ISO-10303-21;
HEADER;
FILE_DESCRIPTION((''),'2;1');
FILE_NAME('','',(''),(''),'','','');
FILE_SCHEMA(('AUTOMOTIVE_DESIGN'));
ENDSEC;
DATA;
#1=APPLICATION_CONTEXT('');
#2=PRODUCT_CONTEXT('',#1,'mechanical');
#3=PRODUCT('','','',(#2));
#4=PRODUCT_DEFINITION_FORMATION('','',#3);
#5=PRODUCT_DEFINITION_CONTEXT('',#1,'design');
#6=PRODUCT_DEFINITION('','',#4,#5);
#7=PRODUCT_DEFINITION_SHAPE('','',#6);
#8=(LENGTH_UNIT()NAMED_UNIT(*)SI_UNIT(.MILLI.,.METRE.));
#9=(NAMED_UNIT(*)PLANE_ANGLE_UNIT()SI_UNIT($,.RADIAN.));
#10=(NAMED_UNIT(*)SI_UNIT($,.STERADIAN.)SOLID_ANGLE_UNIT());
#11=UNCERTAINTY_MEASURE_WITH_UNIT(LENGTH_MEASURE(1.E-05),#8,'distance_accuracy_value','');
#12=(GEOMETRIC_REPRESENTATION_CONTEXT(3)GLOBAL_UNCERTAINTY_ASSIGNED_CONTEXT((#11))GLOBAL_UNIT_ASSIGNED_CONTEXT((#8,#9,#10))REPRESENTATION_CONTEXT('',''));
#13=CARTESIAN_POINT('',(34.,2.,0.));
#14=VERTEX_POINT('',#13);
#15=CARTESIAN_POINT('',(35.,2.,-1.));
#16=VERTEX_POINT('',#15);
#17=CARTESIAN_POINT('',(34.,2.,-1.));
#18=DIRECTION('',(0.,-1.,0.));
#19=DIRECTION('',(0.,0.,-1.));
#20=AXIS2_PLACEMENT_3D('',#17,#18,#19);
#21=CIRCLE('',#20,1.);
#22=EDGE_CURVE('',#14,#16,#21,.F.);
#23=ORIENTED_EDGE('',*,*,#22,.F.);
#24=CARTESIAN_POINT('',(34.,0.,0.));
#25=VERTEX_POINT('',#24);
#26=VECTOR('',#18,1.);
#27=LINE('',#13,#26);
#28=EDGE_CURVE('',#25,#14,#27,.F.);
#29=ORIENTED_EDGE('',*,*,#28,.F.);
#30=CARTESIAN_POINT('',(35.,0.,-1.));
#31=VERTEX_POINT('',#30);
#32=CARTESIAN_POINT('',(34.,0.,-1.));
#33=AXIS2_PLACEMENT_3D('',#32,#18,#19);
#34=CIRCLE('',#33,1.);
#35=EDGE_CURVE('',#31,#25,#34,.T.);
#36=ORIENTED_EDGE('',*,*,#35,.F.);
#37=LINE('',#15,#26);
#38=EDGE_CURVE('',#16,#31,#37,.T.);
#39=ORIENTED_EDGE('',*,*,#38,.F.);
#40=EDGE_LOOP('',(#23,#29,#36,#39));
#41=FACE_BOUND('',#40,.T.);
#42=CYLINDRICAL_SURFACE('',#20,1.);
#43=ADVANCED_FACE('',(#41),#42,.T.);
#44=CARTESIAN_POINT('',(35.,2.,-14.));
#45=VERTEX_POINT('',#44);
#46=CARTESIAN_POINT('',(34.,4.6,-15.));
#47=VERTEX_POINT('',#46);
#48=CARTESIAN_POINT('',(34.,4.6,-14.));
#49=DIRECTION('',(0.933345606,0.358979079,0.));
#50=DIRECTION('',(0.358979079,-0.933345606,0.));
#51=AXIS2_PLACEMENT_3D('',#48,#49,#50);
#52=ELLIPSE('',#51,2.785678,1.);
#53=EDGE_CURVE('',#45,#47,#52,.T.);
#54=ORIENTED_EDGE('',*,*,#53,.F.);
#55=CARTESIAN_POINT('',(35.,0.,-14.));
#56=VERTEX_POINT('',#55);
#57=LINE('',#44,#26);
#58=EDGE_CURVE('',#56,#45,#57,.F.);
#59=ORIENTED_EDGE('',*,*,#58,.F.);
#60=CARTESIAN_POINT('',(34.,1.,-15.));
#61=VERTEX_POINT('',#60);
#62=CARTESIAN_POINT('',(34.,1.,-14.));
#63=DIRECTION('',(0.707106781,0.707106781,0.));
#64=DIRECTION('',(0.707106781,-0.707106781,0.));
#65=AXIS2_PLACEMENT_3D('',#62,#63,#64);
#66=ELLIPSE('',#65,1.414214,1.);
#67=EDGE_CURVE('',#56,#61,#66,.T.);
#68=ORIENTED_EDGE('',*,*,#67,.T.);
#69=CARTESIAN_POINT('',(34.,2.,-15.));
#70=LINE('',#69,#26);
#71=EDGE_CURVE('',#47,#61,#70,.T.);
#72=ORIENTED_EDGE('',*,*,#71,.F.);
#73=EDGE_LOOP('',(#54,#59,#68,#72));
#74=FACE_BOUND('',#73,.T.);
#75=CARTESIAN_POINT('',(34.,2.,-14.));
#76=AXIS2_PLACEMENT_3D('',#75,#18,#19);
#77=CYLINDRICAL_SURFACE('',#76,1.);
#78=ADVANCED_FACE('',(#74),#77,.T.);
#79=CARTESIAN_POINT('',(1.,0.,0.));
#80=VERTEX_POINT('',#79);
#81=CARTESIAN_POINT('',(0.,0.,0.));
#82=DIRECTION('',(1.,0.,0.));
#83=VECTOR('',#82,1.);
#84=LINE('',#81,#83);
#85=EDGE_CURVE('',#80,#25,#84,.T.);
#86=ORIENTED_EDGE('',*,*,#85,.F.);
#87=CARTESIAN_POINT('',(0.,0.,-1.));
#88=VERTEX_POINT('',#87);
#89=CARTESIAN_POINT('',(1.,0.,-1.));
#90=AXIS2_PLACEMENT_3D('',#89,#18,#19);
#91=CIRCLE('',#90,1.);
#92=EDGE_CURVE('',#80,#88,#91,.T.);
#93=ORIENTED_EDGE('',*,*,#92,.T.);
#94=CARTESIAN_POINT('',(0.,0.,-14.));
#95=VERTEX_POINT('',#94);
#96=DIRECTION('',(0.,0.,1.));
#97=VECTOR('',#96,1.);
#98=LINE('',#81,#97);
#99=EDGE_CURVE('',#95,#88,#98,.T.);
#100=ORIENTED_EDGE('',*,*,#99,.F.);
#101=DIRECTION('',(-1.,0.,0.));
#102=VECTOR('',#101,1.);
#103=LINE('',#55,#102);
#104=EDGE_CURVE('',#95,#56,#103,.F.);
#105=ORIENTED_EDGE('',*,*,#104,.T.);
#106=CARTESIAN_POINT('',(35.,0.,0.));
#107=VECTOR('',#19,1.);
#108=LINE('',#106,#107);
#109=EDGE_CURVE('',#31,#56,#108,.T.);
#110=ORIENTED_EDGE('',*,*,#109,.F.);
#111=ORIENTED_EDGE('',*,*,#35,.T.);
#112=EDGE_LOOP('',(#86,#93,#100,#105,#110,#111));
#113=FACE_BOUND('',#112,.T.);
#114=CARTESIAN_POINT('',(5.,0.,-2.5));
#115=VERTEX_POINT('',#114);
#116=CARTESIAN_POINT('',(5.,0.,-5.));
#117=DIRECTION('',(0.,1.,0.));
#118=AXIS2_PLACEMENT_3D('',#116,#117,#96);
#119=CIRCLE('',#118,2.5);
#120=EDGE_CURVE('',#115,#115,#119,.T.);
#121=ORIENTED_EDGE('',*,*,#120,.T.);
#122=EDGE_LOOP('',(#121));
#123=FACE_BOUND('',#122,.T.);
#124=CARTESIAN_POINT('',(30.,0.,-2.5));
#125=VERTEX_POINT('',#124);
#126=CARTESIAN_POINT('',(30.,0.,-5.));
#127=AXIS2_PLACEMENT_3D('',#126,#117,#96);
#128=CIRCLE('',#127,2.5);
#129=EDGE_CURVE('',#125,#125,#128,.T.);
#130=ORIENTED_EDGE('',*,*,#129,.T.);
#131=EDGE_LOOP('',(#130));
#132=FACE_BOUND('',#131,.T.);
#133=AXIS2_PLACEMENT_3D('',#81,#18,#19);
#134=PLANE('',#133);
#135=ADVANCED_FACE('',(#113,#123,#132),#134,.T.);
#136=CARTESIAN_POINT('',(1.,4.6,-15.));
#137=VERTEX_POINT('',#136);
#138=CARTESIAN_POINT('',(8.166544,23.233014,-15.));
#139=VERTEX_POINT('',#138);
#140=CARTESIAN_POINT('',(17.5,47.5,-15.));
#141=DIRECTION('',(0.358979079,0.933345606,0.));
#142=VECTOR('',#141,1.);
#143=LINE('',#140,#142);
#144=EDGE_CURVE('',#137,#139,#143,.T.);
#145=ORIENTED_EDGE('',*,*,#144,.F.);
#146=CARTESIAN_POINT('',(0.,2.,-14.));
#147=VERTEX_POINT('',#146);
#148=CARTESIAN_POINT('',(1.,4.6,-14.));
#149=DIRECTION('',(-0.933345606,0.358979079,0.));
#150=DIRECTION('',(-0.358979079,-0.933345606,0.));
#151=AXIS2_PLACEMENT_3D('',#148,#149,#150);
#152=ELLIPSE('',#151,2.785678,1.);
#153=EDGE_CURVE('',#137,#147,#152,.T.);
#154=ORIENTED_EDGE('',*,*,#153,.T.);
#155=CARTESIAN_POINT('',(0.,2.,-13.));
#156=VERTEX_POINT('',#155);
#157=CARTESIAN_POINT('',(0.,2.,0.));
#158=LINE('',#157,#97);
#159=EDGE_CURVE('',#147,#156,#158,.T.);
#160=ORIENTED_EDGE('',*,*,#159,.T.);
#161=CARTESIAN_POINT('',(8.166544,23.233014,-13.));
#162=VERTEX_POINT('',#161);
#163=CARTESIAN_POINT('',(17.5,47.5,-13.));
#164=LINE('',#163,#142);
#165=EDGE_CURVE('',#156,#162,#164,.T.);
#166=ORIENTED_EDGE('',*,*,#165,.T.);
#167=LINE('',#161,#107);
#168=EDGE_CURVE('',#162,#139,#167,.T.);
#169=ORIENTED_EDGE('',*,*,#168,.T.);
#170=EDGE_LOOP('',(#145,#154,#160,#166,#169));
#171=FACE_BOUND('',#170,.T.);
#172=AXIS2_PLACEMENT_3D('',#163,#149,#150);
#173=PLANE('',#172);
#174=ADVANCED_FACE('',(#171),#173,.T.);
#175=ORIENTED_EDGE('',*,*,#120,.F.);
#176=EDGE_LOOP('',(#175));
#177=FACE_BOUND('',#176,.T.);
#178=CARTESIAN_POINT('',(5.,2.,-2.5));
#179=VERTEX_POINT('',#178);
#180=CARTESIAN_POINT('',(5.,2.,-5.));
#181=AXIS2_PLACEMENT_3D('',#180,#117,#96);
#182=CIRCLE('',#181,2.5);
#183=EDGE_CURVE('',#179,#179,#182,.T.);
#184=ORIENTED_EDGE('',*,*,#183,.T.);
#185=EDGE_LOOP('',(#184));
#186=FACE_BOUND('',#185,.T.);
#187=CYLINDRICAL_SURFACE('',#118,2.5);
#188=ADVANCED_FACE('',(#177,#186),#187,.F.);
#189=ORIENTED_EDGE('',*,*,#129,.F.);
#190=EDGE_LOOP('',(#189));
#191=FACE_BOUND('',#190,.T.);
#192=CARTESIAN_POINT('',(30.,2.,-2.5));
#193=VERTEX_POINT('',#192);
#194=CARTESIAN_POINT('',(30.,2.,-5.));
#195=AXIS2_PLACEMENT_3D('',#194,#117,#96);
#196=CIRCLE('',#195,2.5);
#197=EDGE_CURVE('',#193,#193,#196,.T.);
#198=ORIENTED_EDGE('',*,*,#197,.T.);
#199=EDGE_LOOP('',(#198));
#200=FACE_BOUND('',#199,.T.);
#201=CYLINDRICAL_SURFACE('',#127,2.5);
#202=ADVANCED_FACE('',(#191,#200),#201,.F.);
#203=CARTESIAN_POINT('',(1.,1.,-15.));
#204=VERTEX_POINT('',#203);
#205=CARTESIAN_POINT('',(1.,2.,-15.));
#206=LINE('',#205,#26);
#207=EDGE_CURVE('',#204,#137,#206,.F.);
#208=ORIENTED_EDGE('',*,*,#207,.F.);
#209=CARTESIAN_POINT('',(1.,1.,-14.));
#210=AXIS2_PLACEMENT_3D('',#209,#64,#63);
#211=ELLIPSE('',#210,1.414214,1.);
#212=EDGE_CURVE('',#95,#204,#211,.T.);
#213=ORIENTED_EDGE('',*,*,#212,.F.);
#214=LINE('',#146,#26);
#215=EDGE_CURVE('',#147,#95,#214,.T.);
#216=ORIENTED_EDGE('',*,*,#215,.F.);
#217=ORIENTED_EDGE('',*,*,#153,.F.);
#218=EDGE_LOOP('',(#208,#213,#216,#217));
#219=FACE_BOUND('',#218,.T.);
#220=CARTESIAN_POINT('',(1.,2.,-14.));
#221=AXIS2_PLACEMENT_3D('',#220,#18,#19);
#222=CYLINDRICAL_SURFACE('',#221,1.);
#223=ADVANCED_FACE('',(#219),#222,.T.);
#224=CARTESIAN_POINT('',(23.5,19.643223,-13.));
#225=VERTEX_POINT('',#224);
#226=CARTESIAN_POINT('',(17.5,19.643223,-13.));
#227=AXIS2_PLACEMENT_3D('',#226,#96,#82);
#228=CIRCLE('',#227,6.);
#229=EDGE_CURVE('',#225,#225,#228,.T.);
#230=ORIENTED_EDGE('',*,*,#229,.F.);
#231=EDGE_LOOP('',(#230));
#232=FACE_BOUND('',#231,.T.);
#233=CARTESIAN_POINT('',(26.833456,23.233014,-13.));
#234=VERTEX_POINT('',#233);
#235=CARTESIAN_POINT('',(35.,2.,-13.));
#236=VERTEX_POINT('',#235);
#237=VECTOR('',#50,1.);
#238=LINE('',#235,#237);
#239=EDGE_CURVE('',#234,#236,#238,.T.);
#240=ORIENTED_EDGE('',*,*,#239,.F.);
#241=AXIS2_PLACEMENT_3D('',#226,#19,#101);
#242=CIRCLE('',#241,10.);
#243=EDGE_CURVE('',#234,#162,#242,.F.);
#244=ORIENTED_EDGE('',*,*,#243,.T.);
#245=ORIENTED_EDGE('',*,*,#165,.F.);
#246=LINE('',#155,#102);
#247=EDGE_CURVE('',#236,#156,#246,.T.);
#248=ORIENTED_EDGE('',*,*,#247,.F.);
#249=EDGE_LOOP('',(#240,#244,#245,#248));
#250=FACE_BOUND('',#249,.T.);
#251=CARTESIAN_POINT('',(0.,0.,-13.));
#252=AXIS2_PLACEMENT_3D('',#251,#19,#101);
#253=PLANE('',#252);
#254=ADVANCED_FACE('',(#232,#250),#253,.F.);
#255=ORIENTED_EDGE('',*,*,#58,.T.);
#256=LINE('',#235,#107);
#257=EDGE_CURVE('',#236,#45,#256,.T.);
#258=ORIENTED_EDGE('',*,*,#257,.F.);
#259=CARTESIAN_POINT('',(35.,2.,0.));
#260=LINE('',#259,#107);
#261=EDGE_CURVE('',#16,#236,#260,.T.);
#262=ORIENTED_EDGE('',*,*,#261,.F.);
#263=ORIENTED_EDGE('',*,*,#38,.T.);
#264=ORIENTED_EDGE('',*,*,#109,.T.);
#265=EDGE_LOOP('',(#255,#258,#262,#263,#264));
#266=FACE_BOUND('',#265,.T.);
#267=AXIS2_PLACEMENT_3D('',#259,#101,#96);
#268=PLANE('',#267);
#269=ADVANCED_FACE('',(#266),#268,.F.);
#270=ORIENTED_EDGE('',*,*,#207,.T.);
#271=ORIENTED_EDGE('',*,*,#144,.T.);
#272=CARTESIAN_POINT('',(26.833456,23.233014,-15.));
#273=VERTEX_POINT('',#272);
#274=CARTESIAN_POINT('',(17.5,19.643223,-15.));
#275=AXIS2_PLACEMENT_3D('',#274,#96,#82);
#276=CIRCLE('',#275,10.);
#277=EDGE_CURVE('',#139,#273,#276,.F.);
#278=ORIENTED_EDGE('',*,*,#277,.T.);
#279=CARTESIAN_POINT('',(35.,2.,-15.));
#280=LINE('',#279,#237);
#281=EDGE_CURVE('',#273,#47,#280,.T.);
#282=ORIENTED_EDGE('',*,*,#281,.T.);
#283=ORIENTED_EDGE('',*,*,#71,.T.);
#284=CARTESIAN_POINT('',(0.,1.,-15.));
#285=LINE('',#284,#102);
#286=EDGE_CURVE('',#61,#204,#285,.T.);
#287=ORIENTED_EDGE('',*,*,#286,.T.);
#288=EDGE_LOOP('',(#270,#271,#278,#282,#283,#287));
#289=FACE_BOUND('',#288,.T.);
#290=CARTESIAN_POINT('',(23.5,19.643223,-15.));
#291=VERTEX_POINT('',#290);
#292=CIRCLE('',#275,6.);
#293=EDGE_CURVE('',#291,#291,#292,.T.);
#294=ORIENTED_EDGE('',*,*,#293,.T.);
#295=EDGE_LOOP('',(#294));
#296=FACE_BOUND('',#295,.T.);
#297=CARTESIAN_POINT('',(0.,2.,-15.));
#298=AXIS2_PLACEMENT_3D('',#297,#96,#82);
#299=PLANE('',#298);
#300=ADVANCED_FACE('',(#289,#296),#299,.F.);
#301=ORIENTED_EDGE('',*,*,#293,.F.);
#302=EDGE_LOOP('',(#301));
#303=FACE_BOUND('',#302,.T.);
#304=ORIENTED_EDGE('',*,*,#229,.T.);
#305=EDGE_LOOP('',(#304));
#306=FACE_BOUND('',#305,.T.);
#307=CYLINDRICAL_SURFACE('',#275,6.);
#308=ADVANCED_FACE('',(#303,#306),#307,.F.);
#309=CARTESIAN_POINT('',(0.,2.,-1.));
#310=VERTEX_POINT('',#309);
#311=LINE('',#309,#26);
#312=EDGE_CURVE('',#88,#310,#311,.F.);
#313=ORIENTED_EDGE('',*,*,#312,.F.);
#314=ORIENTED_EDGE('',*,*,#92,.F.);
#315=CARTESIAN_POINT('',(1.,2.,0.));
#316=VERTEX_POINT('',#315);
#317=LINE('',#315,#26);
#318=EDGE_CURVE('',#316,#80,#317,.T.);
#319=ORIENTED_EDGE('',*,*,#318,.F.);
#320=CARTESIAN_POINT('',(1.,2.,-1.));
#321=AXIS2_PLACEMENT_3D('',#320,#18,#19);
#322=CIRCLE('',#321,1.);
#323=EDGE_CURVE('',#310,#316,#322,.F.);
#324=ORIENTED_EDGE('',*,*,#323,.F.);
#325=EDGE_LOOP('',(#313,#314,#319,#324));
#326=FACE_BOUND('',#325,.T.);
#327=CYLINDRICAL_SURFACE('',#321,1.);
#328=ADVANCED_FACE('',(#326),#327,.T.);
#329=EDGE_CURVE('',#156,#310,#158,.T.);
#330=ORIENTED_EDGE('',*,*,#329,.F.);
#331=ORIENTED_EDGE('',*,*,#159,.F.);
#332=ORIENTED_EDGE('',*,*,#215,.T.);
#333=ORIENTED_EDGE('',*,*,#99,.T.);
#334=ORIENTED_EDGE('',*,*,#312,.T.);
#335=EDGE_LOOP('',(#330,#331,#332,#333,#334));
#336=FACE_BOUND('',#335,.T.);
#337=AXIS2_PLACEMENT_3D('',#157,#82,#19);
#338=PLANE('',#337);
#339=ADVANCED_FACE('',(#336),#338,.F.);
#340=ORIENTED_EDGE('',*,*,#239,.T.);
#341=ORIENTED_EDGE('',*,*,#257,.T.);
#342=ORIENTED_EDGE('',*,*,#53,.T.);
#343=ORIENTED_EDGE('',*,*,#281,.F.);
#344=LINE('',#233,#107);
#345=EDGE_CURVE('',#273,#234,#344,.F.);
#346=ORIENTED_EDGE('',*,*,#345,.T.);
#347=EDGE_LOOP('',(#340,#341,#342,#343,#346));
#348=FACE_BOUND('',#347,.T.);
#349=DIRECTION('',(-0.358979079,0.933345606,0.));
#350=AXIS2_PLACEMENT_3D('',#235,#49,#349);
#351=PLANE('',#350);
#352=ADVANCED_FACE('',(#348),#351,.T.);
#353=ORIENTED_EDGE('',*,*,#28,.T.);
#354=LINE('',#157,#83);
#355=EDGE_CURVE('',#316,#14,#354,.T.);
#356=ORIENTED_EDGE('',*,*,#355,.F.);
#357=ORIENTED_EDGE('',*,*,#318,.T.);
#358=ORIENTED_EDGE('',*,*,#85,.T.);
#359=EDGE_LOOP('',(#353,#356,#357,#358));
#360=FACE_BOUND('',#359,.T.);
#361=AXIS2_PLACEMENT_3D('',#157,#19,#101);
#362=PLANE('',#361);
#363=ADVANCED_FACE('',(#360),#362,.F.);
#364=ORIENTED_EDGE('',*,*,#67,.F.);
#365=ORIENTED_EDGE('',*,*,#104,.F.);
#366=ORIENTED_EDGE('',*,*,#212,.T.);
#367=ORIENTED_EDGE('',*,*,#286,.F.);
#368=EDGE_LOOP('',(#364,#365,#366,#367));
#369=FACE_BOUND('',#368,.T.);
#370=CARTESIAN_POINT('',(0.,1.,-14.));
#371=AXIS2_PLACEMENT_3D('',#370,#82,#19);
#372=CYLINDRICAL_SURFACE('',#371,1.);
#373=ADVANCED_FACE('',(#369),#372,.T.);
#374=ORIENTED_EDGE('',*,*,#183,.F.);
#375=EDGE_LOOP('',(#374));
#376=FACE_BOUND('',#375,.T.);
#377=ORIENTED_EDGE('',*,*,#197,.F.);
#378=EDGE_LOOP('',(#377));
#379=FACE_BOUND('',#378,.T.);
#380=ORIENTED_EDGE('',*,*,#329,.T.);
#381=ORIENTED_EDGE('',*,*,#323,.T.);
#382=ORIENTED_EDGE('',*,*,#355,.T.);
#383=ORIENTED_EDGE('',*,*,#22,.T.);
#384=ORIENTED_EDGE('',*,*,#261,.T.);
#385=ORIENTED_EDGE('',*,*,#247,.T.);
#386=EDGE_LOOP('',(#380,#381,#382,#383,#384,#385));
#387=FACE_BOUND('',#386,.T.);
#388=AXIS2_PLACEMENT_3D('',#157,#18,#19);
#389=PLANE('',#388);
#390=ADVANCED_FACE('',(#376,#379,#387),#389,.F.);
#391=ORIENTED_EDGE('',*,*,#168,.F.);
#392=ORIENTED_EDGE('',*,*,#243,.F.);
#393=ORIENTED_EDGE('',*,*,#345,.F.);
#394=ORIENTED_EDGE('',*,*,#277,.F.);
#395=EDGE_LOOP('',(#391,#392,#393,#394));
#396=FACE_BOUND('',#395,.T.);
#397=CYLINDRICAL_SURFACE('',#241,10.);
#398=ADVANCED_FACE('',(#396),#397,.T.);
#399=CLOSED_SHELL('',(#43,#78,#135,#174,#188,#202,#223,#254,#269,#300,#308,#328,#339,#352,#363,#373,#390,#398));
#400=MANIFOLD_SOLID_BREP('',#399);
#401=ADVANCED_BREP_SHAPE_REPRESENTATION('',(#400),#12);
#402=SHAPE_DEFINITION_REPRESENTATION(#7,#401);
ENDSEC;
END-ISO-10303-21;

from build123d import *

# Parameters (mm, degrees)
SKETCH1_W           = 35
SKETCH1_H           = 15
BOSS_EXTRUDE1_DEPTH = 2
BOSS_EXTRUDE2_DEPTH = 2
FILLET1_R           = 10
FILLET2_R           = 1
FILLET3_R           = 1
SKETCH4_R           = 2.5
CUT_EXTRUDE1_DEPTH  = 3
SKETCH5_R           = 6
CUT_EXTRUDE2_DEPTH  = 3


with BuildPart() as part:
    # Sketch1 → Boss-Extrude1 (new body)
    with BuildSketch(Plane(origin=(0, 0, 0), x_dir=(1, 0, 0), z_dir=(0, 1, 0))):
        with Locations((17.5, 7.5)):
            Rectangle(SKETCH1_W, SKETCH1_H)
    extrude(amount=BOSS_EXTRUDE1_DEPTH)

    # Sketch3 → Boss-Extrude2 (add)
    with BuildSketch(Plane(origin=(0, 0, -15), x_dir=(-1, 0, 0), z_dir=(0, 0, -1))):
        Polygon((0, 2), (-35, 2), (-17.5, 47.5), align=None)
    extrude(amount=-BOSS_EXTRUDE2_DEPTH)

    # Fillet1
    fillet1_edges = [part.edges().sort_by_distance(p)[0] for p in [
        (17.5, 47.5, -14),
    ]]
    fillet(fillet1_edges, radius=FILLET1_R)

    # Fillet2
    fillet2_edges = [part.edges().sort_by_distance(p)[0] for p in [
        (17.5, 0, -15),
        (0, 1, -15),
        (35, 1, -15),
    ]]
    fillet(fillet2_edges, radius=FILLET2_R)

    # Fillet3
    fillet3_edges = [part.edges().sort_by_distance(p)[0] for p in [
        (35, 1, 0),
        (0, 1, 0),
    ]]
    fillet(fillet3_edges, radius=FILLET3_R)

    # Sketch4 → Cut-Extrude1 (cut, through all)
    with BuildSketch(Plane(origin=(0, 2, 0), x_dir=(1, 0, 0), z_dir=(0, 1, 0))):
        with Locations((5, 5)):
            Circle(SKETCH4_R)
        with Locations((30, 5)):
            Circle(SKETCH4_R)
    extrude(amount=-CUT_EXTRUDE1_DEPTH, mode=Mode.SUBTRACT)

    # Sketch5 → Cut-Extrude2 (cut, through all)
    with BuildSketch(Plane.XY.offset(-13)):
        with Locations((17.5, 19.643223446)):
            Circle(SKETCH5_R)
    extrude(amount=-CUT_EXTRUDE2_DEPTH, mode=Mode.SUBTRACT)


solid = part.part
